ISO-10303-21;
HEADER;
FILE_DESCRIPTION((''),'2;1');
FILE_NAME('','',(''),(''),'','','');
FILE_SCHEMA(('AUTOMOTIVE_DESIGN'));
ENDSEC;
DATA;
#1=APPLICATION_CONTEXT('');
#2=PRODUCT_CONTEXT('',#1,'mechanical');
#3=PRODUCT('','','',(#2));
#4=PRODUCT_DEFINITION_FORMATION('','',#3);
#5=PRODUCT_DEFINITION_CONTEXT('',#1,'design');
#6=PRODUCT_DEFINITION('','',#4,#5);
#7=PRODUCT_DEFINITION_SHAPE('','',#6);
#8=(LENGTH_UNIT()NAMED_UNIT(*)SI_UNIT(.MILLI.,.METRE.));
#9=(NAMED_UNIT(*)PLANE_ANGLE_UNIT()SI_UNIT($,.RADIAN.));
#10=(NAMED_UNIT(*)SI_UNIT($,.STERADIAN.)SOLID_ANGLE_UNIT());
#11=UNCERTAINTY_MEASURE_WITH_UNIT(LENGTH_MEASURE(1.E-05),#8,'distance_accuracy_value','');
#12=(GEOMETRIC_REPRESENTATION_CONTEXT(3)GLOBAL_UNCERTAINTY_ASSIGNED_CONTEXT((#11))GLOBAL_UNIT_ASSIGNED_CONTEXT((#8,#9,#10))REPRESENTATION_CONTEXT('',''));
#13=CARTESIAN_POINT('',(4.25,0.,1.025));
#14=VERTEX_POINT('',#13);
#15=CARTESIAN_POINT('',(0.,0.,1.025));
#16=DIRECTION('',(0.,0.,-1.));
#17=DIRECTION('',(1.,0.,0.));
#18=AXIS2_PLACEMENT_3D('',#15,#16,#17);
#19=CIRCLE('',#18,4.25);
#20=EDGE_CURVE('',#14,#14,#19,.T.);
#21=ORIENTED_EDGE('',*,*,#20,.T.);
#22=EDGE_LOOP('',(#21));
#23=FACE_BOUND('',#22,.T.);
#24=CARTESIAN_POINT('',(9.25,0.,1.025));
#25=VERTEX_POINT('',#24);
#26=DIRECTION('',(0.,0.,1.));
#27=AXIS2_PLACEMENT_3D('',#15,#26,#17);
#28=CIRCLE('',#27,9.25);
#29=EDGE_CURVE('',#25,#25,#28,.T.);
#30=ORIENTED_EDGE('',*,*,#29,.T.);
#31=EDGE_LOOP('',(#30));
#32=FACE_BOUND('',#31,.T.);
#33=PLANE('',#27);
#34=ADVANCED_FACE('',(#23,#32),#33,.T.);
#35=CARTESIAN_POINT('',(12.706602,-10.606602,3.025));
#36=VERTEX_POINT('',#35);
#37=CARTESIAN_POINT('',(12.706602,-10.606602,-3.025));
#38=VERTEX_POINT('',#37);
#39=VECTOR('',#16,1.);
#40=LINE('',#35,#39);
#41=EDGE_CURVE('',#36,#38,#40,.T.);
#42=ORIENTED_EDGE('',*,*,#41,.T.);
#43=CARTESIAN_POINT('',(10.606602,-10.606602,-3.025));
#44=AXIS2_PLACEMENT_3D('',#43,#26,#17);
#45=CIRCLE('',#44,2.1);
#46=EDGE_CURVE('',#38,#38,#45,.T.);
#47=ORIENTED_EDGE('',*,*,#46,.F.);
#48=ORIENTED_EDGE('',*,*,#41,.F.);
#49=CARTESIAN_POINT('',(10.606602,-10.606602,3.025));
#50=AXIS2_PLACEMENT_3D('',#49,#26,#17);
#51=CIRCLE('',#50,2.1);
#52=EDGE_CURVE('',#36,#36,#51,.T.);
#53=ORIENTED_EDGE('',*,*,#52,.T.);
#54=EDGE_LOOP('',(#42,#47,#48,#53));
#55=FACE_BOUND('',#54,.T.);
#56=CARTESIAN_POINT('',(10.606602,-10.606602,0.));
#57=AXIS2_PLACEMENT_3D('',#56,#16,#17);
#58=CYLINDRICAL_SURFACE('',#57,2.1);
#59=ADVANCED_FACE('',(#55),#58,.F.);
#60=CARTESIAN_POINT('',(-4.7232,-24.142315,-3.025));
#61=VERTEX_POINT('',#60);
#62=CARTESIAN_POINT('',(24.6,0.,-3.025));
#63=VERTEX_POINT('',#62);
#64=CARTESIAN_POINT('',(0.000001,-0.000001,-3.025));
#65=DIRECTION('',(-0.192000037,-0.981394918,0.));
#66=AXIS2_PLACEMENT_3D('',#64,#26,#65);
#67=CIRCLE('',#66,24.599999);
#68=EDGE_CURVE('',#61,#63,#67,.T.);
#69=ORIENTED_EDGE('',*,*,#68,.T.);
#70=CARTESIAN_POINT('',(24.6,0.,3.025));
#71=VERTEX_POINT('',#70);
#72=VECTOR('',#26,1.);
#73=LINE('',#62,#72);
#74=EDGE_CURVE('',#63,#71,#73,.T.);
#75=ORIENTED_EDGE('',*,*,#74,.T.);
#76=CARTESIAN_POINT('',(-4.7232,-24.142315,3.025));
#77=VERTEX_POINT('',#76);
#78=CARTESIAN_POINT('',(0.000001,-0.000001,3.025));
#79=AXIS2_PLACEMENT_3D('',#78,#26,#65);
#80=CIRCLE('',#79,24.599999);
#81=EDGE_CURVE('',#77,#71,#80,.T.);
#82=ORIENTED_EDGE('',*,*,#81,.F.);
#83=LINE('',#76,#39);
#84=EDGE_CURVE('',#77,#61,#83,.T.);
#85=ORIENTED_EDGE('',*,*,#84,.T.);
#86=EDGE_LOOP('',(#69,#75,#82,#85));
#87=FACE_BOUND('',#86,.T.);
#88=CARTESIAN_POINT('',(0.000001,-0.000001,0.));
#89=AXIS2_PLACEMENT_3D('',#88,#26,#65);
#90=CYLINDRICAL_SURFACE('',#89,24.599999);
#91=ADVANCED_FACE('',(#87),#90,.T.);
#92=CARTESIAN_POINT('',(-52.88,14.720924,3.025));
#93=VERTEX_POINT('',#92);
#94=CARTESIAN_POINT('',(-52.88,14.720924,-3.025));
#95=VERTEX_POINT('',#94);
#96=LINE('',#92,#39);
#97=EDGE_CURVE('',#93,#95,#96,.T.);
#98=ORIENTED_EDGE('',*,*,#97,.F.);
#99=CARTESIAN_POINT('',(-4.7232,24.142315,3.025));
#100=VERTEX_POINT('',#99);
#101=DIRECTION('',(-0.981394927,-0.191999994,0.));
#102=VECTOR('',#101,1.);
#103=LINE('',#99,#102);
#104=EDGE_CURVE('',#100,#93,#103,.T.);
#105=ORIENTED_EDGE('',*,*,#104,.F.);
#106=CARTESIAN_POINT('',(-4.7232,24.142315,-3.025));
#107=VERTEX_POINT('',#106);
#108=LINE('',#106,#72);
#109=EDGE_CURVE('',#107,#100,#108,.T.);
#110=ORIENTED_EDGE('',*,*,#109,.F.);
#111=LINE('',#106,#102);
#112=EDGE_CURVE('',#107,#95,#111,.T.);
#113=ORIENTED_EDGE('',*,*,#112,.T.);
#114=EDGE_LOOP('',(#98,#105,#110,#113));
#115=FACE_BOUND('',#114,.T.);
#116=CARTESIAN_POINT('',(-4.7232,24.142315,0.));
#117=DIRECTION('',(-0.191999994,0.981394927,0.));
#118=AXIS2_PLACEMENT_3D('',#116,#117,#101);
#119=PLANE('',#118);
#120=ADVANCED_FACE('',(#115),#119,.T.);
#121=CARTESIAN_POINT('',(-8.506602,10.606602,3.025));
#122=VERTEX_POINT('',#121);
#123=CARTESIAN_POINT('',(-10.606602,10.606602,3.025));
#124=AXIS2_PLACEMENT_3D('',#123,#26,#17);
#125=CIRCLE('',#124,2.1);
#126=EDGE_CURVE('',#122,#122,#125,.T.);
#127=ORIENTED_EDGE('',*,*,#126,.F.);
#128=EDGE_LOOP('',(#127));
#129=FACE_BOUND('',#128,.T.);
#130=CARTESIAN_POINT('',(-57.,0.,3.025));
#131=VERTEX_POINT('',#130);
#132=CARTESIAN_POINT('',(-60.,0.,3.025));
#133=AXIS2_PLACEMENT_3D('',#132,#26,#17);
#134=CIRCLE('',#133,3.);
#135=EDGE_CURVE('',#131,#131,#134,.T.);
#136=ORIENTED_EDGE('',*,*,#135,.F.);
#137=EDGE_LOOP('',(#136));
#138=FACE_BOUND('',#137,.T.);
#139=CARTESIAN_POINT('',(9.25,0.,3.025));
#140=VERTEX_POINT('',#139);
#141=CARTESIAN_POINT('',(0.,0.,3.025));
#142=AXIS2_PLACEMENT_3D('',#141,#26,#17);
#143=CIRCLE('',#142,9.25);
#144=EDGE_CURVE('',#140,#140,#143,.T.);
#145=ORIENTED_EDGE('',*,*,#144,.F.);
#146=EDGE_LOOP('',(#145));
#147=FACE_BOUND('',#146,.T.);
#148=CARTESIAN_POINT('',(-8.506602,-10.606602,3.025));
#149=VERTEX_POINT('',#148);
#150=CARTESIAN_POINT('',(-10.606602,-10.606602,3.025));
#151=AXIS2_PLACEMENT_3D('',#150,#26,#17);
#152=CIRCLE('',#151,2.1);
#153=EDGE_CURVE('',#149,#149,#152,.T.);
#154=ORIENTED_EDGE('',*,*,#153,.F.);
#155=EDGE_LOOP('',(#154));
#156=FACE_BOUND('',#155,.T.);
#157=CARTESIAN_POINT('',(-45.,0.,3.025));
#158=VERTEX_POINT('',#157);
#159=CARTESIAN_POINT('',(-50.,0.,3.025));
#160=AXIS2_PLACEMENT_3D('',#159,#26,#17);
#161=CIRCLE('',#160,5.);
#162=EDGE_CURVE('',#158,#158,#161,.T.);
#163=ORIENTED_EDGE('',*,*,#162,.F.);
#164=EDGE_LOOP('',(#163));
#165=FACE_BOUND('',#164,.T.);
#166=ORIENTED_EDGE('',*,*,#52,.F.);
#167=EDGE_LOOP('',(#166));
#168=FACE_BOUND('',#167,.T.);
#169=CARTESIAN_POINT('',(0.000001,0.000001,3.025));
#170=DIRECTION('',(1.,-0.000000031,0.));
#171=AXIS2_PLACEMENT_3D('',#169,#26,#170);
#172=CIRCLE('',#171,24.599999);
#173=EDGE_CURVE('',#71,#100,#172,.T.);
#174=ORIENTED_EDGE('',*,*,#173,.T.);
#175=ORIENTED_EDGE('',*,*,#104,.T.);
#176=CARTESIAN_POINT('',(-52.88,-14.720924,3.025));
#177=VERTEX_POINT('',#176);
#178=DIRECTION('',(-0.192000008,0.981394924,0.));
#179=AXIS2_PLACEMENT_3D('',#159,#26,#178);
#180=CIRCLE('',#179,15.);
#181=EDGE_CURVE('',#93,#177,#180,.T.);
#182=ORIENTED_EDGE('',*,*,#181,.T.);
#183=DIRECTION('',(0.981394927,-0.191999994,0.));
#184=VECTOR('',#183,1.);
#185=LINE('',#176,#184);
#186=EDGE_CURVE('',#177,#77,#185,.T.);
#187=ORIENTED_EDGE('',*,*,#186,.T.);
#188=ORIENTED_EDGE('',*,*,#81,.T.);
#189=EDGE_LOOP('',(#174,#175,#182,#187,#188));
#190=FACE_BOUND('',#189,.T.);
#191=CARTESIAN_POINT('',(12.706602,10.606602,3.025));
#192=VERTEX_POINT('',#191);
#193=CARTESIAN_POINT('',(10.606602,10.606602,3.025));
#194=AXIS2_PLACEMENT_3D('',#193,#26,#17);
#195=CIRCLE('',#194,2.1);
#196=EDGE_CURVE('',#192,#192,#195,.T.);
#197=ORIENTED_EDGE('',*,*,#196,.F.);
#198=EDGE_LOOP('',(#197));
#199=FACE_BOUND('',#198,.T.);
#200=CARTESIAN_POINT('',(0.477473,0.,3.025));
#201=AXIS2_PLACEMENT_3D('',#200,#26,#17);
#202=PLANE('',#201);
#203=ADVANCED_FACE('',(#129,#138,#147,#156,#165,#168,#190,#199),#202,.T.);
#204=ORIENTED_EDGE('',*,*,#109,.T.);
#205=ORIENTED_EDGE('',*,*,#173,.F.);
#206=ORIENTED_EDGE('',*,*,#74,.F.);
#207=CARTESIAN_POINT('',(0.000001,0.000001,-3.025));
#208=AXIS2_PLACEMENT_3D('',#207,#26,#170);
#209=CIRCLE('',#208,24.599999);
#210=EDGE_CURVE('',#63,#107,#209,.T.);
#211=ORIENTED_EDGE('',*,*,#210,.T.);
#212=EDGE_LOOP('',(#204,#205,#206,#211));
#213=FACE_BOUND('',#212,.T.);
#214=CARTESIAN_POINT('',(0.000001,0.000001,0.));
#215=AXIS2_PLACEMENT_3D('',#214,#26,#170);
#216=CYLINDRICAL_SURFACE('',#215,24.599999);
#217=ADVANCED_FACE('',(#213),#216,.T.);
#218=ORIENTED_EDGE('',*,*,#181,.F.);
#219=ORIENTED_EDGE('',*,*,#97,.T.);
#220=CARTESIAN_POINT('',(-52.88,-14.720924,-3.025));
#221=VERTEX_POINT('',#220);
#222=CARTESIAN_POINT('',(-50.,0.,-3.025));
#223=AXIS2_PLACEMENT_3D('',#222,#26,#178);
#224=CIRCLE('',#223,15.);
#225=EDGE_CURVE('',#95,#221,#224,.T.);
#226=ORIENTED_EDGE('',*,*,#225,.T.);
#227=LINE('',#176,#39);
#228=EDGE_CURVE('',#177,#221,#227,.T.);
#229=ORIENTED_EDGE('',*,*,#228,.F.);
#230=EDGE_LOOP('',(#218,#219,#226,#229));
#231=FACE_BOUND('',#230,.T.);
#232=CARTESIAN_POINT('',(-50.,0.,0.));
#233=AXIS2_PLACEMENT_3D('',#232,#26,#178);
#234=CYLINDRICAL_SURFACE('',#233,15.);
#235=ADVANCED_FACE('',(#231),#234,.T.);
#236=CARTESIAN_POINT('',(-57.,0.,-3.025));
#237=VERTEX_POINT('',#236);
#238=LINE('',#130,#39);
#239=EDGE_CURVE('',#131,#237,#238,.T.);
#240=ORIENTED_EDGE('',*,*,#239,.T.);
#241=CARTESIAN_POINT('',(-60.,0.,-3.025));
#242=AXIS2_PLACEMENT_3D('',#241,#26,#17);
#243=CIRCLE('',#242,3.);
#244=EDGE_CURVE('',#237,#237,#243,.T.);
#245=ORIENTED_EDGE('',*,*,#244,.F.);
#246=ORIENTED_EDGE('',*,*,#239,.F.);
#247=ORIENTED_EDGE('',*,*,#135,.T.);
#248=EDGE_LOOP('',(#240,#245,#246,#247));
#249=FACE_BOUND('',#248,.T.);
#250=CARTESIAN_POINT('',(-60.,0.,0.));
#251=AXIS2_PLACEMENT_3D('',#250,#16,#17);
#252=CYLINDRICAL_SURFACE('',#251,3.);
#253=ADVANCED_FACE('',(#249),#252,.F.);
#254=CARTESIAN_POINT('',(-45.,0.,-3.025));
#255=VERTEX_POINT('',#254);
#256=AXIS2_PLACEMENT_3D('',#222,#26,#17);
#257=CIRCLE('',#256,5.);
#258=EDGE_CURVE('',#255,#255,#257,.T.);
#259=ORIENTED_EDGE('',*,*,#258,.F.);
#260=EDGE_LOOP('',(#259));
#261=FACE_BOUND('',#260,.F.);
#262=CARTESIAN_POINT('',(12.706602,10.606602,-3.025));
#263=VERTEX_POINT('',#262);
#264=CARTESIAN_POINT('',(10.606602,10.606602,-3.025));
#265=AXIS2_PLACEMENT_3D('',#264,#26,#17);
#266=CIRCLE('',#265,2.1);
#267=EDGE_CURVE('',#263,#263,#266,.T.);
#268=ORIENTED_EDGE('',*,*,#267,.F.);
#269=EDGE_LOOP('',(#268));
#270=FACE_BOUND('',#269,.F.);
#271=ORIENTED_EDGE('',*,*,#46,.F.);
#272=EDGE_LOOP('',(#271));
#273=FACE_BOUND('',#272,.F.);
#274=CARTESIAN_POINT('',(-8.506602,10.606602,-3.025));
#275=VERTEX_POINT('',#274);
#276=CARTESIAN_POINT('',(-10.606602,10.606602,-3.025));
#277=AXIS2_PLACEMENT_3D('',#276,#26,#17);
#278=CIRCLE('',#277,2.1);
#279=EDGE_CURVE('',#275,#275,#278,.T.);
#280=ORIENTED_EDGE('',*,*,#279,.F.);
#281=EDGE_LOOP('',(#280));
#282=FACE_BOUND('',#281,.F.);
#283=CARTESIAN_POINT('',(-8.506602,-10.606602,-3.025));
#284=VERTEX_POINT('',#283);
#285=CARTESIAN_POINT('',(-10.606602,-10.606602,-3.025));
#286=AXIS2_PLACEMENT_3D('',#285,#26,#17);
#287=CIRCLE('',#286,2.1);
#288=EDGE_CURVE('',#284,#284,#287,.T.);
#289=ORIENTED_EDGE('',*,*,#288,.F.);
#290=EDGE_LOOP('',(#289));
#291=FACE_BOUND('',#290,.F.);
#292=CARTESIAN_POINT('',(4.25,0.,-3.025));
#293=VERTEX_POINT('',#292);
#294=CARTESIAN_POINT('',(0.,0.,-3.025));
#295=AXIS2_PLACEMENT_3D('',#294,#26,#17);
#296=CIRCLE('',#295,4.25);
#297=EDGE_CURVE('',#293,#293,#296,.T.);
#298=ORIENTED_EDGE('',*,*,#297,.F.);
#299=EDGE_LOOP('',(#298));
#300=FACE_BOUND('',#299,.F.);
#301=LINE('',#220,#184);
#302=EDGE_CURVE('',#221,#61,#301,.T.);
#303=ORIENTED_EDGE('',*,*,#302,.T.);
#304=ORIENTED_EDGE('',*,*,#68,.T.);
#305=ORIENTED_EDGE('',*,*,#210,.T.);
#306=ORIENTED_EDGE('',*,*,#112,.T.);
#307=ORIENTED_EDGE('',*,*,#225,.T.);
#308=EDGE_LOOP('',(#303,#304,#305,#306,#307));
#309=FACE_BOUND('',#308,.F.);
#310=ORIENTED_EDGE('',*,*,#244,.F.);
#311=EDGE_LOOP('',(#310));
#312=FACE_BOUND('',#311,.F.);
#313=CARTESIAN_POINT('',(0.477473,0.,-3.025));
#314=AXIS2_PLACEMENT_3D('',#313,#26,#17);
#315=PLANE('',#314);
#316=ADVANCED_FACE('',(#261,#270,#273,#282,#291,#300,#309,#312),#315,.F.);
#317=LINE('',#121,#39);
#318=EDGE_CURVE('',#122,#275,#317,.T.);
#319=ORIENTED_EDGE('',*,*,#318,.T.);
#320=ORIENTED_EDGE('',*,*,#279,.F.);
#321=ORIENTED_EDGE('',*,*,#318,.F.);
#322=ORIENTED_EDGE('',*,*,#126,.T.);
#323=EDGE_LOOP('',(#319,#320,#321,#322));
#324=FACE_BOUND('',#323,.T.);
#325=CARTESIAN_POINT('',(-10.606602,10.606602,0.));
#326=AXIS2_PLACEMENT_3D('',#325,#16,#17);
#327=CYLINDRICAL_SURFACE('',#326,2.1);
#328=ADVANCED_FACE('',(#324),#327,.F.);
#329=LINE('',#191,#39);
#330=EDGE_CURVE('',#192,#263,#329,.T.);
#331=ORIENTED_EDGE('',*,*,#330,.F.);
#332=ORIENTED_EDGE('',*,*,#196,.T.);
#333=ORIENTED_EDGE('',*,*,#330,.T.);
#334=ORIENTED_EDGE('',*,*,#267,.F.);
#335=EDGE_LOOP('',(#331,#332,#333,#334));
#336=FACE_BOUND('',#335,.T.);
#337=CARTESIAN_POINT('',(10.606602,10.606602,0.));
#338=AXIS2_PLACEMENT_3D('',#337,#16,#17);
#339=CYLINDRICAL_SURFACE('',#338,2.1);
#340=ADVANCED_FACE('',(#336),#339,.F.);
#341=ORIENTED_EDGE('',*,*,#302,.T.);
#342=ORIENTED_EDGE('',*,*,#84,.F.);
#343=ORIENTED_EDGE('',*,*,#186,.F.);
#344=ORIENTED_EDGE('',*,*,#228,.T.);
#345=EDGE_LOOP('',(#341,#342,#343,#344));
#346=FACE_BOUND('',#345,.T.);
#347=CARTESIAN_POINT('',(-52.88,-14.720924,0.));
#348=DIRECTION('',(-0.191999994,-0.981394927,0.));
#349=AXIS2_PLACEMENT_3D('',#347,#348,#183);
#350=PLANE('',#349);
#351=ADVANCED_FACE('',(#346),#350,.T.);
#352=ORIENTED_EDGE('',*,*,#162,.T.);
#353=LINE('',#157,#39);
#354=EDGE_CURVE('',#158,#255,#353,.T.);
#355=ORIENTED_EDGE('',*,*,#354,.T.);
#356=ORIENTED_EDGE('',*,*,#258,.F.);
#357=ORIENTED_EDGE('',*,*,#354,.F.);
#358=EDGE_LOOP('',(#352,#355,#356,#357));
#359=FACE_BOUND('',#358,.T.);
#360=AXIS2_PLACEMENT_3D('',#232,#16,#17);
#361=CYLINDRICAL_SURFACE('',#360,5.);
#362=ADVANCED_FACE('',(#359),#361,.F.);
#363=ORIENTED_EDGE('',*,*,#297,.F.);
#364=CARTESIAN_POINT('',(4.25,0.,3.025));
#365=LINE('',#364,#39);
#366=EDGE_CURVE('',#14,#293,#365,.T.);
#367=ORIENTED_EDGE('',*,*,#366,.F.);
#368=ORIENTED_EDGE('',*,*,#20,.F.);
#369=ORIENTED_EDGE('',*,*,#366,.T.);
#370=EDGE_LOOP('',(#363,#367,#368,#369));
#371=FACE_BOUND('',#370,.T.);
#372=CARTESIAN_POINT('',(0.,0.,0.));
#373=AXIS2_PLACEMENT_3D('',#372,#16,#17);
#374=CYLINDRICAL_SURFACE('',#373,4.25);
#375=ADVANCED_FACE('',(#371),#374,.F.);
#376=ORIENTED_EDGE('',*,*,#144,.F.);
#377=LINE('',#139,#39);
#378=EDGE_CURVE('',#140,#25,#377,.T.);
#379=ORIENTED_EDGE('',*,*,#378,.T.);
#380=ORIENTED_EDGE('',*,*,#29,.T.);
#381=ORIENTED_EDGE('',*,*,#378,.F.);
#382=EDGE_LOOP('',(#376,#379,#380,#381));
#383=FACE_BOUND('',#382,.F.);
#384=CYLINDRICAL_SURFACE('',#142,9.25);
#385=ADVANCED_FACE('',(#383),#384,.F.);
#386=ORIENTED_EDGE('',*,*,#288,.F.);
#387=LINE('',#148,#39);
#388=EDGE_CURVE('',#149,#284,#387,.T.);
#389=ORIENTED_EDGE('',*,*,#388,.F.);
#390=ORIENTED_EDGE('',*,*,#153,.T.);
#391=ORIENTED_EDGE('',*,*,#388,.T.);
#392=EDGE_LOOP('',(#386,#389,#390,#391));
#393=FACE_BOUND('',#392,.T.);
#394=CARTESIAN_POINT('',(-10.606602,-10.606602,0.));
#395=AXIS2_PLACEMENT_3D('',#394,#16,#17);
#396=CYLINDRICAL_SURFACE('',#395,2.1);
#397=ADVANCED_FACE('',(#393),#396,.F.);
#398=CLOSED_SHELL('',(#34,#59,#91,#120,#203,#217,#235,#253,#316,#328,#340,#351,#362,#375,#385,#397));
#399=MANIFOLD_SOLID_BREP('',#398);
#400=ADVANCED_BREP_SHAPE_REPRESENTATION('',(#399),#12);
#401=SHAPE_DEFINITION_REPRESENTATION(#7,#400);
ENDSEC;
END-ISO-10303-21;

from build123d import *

# Parameters (mm, degrees)
F0_R     = 2.1
F0_R_2   = 4.25
F0_R_3   = 3
F0_R_4   = 5
F1_DEPTH = 3.025
F2_R     = 9.25
F3_DEPTH = 2


with BuildPart() as f1:
    # F0 (on Top) → F1 (new body, symmetric)
    with BuildSketch(Plane.XY):
        with BuildLine():
            ThreePointArc((-4.7232, -24.142315), (15.636005, -18.991455), (24.6, 0))
            ThreePointArc((24.6, 0), (15.636005, 18.991455), (-4.7232, 24.142315))
            ThreePointArc((-4.7232, 24.142315), (-24.6, 0), (-4.7232, -24.142315))
        make_face()
        with Locations((-10.606602, -10.606602)):
            Circle(F0_R, mode=Mode.SUBTRACT)
        with Locations((10.606602, -10.606602)):
            Circle(F0_R, mode=Mode.SUBTRACT)
        Circle(F0_R_2, mode=Mode.SUBTRACT)
        with Locations((-10.606602, 10.606602)):
            Circle(F0_R, mode=Mode.SUBTRACT)
        with Locations((10.606602, 10.606602)):
            Circle(F0_R, mode=Mode.SUBTRACT)
        with BuildLine():
            ThreePointArc((-4.7232, -24.142315), (-24.6, 0), (-4.7232, 24.142315))
            Line((-4.7232, 24.142315), (-52.88, 14.720924))
            ThreePointArc((-52.88, 14.720924), (-40.465851, 11.580155), (-35, 0))
            ThreePointArc((-35, 0), (-40.465851, -11.580155), (-52.88, -14.720924))
            Line((-52.88, -14.720924), (-4.7232, -24.142315))
        make_face()
        with BuildLine():
            ThreePointArc((-35, 0), (-40.465851, 11.580155), (-52.88, 14.720924))
            ThreePointArc((-52.88, 14.720924), (-65, 0), (-52.88, -14.720924))
            ThreePointArc((-52.88, -14.720924), (-40.465851, -11.580155), (-35, 0))
        make_face()
        with Locations((-60, 0)):
            Circle(F0_R_3, mode=Mode.SUBTRACT)
        with Locations((-50, 0)):
            Circle(F0_R_4, mode=Mode.SUBTRACT)
    extrude(amount=F1_DEPTH, both=True)

    # F2 (on face) → F3 (cut)
    with BuildSketch(Plane.XY.offset(3.025)):
        Circle(F2_R)
    extrude(amount=-F3_DEPTH, mode=Mode.SUBTRACT)


solid = f1.part
